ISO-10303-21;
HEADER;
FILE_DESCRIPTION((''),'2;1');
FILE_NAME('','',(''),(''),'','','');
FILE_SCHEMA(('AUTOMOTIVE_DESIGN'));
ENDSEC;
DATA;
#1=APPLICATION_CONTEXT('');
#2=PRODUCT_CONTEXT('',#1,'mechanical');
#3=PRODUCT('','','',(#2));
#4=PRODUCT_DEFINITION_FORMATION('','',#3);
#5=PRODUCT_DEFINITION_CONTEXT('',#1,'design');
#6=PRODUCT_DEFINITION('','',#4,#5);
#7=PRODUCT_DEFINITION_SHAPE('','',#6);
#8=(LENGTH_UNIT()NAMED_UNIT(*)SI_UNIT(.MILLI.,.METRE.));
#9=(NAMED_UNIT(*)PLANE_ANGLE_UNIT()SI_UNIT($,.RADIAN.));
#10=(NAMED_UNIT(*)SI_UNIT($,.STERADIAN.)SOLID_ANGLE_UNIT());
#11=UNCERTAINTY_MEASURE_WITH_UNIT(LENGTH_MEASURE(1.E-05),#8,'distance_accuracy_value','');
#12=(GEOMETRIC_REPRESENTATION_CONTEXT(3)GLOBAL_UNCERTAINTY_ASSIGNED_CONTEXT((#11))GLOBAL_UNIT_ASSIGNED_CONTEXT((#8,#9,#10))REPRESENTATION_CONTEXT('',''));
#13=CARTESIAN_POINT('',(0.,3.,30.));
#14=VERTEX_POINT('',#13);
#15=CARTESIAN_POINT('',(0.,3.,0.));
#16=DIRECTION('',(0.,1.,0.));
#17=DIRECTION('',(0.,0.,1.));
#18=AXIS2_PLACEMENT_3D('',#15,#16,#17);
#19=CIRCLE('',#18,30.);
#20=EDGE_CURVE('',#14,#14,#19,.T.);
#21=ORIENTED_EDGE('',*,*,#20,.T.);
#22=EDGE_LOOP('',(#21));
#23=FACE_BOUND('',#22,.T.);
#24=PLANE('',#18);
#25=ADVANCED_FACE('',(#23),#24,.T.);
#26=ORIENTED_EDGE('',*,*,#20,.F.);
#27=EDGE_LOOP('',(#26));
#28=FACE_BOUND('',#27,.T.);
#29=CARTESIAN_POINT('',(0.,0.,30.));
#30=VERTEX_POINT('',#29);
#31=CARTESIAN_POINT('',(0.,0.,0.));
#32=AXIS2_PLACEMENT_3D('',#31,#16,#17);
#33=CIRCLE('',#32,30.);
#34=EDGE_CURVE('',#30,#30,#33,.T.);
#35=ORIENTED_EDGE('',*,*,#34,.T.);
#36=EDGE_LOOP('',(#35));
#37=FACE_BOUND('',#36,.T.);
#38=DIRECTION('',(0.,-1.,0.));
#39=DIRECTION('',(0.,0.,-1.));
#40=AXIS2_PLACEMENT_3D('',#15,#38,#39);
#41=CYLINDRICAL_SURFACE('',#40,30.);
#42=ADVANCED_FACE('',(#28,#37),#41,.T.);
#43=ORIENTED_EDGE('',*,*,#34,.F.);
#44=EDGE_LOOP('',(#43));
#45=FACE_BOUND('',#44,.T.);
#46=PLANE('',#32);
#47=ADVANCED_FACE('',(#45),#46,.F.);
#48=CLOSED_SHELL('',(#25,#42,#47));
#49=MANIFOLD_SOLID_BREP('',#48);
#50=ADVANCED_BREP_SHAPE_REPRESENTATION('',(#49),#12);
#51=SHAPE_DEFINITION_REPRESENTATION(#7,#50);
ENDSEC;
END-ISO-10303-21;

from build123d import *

# Parameters (mm, degrees)
SKETCH1_R                     = 30
KOLA330_ALT_BILEZIK_D60_DEPTH = 3


with BuildPart() as part:
    # Sketch1 → KOLA330_alt_bilezik_D60 (new body)
    with BuildSketch(Plane(origin=(0, 0, 0), x_dir=(1, 0, 0), z_dir=(0, 1, 0))):
        with Locations(Location((0, 0, 0), (0, 0, 270))):
            Circle(SKETCH1_R)
    extrude(amount=KOLA330_ALT_BILEZIK_D60_DEPTH)


solid = part.part
